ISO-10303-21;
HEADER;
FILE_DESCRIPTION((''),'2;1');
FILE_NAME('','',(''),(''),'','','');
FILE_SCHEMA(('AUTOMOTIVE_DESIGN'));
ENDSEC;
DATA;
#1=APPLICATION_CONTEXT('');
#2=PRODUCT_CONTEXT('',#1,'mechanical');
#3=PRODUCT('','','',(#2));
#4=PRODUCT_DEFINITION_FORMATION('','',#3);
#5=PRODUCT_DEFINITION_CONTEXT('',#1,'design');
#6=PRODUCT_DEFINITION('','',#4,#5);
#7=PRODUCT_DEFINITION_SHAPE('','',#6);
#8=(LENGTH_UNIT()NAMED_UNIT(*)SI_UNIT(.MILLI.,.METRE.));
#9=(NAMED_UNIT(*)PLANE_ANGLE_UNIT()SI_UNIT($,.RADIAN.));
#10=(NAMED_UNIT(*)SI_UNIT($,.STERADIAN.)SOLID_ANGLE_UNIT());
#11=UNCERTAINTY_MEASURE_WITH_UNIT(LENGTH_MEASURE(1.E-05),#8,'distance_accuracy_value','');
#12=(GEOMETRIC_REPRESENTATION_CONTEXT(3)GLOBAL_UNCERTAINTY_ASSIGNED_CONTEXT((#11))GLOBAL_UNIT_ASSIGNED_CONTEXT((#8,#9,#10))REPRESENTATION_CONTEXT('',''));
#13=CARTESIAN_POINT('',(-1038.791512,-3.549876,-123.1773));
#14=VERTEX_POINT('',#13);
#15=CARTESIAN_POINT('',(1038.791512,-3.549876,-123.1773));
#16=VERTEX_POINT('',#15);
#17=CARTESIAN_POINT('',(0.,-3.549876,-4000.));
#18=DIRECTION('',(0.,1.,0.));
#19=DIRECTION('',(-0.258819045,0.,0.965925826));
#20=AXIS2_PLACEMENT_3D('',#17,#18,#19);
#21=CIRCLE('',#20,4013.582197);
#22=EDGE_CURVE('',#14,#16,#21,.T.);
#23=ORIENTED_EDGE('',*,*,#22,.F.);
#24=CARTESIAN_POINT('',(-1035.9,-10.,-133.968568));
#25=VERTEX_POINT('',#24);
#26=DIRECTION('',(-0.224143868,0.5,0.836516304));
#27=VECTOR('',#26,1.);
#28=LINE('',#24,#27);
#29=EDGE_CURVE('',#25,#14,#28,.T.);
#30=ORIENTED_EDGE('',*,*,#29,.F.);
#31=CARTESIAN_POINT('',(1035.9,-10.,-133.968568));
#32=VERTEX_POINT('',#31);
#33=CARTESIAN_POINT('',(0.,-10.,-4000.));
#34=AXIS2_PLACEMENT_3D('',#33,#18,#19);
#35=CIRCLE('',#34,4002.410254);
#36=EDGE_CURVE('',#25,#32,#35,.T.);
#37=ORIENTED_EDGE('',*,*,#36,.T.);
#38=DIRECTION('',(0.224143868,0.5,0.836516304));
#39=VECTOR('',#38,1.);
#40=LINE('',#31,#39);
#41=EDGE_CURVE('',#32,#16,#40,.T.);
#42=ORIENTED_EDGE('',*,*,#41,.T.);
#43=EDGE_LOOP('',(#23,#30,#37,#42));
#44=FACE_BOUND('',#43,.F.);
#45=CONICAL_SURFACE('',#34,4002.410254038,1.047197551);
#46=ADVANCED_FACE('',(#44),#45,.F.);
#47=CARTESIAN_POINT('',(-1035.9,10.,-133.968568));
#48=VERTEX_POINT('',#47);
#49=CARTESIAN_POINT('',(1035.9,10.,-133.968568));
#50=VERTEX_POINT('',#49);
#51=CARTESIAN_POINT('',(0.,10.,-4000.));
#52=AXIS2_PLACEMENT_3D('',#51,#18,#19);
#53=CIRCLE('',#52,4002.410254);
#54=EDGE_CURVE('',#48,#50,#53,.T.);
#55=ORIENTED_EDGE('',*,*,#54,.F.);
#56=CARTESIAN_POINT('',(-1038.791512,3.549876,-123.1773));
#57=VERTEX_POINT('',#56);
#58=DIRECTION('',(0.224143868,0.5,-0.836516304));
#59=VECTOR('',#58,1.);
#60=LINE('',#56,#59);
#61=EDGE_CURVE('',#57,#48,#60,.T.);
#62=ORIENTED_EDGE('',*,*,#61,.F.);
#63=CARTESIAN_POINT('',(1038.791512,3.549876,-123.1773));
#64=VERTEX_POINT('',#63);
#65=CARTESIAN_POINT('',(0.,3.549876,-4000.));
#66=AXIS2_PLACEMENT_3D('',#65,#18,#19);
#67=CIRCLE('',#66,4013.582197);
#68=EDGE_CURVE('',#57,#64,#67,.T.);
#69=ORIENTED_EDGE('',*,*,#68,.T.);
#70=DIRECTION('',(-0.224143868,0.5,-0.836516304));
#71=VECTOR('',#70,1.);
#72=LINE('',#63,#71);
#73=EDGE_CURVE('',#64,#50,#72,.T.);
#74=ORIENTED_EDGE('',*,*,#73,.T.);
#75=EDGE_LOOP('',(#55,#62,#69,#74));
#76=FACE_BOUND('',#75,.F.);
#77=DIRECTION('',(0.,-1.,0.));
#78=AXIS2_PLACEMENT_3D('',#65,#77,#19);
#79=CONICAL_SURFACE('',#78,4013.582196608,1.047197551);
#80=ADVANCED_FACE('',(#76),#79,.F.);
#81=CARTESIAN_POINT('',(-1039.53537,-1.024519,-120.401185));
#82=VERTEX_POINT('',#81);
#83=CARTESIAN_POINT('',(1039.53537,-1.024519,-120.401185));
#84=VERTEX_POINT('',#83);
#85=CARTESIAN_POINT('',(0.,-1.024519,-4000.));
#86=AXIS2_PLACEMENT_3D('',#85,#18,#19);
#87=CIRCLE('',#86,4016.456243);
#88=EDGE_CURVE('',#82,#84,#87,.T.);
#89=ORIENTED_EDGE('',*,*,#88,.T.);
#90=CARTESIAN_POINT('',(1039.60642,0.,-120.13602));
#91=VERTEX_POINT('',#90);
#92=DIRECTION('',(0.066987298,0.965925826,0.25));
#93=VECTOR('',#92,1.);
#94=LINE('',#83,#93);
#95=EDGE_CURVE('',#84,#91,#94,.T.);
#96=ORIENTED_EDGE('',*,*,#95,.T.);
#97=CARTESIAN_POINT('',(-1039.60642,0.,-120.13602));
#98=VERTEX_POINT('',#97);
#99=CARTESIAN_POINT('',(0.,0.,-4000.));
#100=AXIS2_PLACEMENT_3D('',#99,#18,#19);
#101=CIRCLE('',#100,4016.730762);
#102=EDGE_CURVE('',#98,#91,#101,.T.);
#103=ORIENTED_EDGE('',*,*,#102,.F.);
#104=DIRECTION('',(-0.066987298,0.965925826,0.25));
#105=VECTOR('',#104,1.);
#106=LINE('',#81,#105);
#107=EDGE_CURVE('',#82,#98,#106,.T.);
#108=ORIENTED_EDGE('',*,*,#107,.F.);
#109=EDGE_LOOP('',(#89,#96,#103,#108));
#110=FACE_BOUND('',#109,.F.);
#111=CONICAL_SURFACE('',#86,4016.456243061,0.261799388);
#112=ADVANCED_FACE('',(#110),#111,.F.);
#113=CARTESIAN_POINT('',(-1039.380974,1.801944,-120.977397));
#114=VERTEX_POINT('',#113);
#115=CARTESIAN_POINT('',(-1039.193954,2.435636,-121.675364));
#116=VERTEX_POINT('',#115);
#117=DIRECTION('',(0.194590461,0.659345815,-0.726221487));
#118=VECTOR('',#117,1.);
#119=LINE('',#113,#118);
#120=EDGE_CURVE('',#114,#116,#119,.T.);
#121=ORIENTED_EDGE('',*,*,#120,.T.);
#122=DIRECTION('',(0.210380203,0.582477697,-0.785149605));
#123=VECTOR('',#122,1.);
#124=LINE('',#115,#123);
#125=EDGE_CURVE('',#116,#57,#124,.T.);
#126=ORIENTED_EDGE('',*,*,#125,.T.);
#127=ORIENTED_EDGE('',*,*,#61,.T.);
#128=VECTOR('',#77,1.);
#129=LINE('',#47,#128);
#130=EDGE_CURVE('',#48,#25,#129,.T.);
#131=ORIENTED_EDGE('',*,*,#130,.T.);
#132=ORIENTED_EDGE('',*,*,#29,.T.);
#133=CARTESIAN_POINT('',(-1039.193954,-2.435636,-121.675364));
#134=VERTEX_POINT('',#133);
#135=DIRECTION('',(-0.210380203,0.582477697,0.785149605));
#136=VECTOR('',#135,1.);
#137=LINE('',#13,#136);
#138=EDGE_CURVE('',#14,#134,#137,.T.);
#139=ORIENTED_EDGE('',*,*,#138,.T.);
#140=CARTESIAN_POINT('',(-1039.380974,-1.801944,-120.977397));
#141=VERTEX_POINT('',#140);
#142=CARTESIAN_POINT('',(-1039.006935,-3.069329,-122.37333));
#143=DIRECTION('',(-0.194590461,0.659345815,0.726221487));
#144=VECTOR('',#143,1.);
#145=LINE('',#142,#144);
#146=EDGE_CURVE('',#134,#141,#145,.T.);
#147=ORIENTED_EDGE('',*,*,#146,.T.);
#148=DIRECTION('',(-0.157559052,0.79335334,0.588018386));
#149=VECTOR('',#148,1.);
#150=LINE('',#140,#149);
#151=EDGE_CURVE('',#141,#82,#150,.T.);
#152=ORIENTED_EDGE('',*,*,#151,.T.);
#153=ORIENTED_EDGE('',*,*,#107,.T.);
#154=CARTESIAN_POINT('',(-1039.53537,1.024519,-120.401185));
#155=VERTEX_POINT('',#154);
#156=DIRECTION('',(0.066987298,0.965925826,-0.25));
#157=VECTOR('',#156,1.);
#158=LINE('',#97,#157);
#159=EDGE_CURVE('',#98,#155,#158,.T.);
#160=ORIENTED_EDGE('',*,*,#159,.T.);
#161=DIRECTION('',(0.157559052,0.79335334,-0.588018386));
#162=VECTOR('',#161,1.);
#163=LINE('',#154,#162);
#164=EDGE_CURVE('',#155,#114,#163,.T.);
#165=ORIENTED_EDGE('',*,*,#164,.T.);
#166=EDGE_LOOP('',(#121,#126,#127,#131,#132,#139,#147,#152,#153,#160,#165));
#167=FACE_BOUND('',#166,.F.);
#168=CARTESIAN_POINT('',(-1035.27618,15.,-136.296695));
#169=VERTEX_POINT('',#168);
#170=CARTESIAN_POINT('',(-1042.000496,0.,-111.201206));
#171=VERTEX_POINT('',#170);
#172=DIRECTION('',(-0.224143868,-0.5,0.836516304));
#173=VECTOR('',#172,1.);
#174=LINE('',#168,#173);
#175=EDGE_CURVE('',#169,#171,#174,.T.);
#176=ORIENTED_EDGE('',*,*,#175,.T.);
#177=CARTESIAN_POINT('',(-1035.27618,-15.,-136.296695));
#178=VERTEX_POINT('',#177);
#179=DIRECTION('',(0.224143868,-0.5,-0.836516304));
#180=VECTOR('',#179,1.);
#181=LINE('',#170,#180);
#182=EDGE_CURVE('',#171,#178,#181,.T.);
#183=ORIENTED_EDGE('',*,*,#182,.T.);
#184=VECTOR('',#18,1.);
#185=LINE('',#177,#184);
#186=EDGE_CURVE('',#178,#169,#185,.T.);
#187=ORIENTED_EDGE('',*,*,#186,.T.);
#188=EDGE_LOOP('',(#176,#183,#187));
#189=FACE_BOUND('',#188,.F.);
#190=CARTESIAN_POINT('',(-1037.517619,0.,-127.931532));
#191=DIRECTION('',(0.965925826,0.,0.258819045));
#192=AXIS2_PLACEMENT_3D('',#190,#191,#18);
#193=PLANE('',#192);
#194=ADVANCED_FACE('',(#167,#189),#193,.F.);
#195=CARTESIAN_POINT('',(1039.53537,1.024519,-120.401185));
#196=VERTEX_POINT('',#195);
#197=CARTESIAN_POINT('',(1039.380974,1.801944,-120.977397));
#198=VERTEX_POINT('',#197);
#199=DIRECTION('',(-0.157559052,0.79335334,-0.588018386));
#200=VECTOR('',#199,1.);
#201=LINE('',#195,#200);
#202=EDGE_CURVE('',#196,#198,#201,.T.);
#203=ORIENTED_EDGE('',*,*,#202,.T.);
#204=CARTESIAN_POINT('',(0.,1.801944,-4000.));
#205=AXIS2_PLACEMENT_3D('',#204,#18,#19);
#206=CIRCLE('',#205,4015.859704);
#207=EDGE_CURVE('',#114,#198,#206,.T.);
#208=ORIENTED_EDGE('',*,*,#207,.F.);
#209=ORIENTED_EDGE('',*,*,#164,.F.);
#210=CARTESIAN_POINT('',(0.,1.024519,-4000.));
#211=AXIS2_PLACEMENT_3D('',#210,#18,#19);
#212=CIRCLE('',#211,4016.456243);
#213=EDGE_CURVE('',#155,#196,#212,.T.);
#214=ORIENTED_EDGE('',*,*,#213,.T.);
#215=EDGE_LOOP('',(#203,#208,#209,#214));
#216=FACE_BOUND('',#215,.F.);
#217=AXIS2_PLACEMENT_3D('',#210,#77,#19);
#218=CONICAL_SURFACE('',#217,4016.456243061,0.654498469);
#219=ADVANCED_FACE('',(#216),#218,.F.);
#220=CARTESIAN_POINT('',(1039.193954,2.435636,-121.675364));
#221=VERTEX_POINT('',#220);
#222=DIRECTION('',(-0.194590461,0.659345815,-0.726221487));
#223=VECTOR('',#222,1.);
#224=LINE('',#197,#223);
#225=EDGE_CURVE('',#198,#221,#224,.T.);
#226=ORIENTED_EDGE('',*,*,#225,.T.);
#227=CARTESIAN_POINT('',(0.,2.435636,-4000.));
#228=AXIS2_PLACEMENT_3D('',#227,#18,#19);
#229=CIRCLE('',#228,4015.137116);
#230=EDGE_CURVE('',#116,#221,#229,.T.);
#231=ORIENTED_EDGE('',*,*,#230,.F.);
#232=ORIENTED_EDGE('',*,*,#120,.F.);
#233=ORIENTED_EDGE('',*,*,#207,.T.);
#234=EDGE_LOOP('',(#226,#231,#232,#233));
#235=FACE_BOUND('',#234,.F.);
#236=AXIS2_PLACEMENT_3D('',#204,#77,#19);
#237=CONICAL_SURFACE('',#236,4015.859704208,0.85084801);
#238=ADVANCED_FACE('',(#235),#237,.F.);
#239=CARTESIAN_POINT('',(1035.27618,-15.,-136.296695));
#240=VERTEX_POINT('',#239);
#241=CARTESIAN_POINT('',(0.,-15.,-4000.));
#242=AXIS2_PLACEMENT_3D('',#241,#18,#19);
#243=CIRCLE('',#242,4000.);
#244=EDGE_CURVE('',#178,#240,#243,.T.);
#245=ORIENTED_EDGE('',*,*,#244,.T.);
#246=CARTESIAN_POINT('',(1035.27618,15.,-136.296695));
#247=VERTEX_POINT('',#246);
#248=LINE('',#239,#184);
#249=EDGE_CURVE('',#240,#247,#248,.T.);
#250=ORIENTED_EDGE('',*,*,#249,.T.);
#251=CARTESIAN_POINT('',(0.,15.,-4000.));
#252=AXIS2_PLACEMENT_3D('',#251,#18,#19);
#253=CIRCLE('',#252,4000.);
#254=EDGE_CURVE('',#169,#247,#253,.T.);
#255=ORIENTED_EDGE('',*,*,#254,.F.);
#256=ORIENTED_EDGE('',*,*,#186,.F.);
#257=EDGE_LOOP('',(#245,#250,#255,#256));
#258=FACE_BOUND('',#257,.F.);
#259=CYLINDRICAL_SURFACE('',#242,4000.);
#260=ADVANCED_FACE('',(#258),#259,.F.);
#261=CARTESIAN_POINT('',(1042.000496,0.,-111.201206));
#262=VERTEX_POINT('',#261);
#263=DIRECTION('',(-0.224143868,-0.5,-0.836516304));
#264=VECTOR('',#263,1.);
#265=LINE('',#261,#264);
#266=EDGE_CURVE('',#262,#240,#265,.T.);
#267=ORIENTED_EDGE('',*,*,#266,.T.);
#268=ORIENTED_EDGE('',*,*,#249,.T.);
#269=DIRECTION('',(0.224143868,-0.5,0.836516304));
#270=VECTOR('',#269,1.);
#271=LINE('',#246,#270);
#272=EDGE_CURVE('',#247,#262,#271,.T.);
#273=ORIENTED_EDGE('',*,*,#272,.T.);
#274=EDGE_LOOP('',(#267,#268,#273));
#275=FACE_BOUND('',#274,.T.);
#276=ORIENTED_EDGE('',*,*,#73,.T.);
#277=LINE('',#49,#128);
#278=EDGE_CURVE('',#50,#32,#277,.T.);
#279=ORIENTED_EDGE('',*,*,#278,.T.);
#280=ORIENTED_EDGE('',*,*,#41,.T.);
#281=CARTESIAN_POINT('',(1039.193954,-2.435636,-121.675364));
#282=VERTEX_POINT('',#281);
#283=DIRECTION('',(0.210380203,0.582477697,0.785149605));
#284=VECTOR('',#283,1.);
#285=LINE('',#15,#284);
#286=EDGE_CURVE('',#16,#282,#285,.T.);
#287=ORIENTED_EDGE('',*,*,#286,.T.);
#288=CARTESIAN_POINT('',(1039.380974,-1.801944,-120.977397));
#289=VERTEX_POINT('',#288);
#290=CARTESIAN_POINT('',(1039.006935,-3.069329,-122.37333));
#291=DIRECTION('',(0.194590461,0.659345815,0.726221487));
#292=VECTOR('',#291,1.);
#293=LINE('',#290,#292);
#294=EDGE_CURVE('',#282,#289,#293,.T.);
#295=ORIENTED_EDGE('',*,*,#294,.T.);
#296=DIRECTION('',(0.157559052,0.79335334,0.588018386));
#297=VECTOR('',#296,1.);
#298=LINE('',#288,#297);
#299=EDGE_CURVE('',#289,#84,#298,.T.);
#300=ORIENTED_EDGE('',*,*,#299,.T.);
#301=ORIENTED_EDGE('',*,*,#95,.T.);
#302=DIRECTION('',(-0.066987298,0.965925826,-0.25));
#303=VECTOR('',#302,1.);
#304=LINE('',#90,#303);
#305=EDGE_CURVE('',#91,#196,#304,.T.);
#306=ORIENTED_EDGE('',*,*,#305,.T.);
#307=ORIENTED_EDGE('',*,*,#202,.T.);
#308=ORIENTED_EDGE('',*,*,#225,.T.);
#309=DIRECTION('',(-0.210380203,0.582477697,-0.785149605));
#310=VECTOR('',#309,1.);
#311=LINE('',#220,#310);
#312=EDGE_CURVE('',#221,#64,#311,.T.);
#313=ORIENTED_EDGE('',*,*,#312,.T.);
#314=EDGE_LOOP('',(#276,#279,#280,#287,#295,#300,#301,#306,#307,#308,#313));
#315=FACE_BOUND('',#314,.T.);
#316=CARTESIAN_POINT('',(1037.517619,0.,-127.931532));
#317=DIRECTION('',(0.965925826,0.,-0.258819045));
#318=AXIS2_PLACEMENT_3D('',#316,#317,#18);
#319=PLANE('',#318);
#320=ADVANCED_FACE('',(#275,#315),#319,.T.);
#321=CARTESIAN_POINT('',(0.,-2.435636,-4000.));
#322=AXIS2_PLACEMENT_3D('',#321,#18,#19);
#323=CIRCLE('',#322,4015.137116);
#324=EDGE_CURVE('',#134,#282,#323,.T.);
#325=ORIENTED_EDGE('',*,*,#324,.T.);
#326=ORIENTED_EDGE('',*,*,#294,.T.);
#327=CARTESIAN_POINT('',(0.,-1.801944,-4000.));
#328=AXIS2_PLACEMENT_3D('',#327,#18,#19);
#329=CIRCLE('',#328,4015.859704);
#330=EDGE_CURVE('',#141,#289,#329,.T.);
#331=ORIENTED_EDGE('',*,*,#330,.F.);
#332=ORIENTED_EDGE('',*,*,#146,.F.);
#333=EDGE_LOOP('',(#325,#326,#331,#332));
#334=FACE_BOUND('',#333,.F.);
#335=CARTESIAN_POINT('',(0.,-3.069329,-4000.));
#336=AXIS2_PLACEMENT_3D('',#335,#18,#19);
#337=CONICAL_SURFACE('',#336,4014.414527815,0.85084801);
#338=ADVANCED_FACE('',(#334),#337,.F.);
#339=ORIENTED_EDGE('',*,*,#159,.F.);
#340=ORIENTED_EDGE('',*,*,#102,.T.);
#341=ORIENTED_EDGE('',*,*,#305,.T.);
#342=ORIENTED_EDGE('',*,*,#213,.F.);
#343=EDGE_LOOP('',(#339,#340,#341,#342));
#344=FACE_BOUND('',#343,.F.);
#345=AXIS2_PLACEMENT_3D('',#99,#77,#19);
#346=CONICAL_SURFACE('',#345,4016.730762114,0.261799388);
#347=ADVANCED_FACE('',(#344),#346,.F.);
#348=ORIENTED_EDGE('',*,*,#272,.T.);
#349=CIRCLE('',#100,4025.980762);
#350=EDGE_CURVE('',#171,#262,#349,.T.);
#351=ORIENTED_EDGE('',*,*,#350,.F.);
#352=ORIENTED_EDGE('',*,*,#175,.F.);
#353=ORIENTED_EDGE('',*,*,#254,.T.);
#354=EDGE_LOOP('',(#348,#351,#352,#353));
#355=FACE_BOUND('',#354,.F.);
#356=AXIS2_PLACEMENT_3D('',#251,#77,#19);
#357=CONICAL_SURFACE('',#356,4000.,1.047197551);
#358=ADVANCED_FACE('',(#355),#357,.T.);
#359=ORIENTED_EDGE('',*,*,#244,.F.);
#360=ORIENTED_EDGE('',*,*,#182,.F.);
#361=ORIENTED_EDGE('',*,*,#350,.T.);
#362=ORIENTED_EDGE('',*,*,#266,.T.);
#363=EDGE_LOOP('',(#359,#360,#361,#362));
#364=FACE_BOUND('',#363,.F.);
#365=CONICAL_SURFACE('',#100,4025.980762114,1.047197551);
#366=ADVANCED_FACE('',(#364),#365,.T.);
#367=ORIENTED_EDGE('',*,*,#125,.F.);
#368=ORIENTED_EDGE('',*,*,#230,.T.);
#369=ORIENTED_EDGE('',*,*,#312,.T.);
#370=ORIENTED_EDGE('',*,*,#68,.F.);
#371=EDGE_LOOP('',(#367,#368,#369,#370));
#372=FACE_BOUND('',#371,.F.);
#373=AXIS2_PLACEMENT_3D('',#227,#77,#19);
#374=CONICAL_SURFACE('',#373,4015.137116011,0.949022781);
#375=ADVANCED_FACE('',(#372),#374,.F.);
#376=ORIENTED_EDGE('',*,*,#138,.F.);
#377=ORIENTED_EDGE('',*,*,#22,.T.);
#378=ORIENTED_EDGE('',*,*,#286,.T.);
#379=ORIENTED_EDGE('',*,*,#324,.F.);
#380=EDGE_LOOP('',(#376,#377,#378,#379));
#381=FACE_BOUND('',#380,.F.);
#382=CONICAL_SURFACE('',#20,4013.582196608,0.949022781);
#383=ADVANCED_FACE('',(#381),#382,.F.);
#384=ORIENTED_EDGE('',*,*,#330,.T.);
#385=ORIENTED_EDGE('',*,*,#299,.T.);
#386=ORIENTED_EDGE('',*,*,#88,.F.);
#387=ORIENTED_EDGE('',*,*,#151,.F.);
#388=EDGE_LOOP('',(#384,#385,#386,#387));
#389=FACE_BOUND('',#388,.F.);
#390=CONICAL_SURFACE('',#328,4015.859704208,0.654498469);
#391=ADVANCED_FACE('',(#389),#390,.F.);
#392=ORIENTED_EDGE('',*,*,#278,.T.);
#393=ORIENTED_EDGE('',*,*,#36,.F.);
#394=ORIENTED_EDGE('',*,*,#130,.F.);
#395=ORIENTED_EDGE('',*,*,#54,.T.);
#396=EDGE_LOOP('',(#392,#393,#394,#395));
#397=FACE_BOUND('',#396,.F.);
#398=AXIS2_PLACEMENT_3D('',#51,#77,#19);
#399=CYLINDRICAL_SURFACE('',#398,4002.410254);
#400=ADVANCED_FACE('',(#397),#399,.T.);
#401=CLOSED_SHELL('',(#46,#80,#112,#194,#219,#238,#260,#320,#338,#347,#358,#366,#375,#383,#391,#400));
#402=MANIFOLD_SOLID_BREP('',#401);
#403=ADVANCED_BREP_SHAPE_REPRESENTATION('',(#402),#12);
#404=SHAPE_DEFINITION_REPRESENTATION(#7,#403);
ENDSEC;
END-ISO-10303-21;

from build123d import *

# Parameters (mm, degrees)
F1_ANGLE_BACK = 15
F1_ANGLE      = 30


with BuildPart() as f1:
    # F0 (on Right) → F1 (revolve)
    with BuildSketch(Plane.YZ, mode=Mode.PRIVATE) as f1_sk:
        Polygon((0, 25.9807621135), (-15, 0), (15, 0), align=None)
        Polygon((0, 2.4102540378), (-10, 2.4102540378), (-3.5498759498, 13.5821966078), (-3.0693293034, 14.4145278149), (-2.5793681916, 15.2631653543), (-2.0490381057, 16.1817240079), (0, 19.7307621135), (2.0490381057, 16.1817240079), (2.5793681916, 15.2631653543), (3.0693293034, 14.4145278149), (3.5498759498, 13.5821966078), (10, 2.4102540378), align=None, mode=Mode.SUBTRACT)
        Polygon((0, 19.7307621135), (0, 16.7307621135), (1.0245190528, 16.4562430607), (2.0490381057, 16.1817240079), align=None)
        Polygon((-1.0245190528, 16.4562430607), (0, 16.7307621135), (0, 19.7307621135), (-2.0490381057, 16.1817240079), align=None)
        Polygon((2.0490381057, 16.1817240079), (1.0245190528, 16.4562430607), (1.8019436222, 15.8597042075), (2.5793681916, 15.2631653543), align=None)
        Polygon((2.4356364628, 15.1371160112), (3.0693293034, 14.4145278149), (2.5793681916, 15.2631653543), (1.8019436222, 15.8597042075), align=None)
        Polygon((2.4356364628, 15.1371160112), (3.5498759498, 13.5821966078), (3.0693293034, 14.4145278149), align=None)
        Polygon((-2.5793681916, 15.2631653543), (-3.0693293034, 14.4145278149), (-2.4356364628, 15.1371160112), (-1.8019436222, 15.8597042075), align=None)
        Polygon((-3.0693293034, 14.4145278149), (-3.5498759498, 13.5821966078), (-2.4356364628, 15.1371160112), align=None)
        Polygon((-1.8019436222, 15.8597042075), (-1.0245190528, 16.4562430607), (-2.0490381057, 16.1817240079), (-2.5793681916, 15.2631653543), align=None)
    revolve(f1_sk.sketch.rotate(Axis((0, -0.8083833382, -4000), (0, 1, 0)), -F1_ANGLE_BACK), axis=Axis((0, -0.8083833382, -4000), (0, 1, 0)), revolution_arc=F1_ANGLE)


solid = f1.part
